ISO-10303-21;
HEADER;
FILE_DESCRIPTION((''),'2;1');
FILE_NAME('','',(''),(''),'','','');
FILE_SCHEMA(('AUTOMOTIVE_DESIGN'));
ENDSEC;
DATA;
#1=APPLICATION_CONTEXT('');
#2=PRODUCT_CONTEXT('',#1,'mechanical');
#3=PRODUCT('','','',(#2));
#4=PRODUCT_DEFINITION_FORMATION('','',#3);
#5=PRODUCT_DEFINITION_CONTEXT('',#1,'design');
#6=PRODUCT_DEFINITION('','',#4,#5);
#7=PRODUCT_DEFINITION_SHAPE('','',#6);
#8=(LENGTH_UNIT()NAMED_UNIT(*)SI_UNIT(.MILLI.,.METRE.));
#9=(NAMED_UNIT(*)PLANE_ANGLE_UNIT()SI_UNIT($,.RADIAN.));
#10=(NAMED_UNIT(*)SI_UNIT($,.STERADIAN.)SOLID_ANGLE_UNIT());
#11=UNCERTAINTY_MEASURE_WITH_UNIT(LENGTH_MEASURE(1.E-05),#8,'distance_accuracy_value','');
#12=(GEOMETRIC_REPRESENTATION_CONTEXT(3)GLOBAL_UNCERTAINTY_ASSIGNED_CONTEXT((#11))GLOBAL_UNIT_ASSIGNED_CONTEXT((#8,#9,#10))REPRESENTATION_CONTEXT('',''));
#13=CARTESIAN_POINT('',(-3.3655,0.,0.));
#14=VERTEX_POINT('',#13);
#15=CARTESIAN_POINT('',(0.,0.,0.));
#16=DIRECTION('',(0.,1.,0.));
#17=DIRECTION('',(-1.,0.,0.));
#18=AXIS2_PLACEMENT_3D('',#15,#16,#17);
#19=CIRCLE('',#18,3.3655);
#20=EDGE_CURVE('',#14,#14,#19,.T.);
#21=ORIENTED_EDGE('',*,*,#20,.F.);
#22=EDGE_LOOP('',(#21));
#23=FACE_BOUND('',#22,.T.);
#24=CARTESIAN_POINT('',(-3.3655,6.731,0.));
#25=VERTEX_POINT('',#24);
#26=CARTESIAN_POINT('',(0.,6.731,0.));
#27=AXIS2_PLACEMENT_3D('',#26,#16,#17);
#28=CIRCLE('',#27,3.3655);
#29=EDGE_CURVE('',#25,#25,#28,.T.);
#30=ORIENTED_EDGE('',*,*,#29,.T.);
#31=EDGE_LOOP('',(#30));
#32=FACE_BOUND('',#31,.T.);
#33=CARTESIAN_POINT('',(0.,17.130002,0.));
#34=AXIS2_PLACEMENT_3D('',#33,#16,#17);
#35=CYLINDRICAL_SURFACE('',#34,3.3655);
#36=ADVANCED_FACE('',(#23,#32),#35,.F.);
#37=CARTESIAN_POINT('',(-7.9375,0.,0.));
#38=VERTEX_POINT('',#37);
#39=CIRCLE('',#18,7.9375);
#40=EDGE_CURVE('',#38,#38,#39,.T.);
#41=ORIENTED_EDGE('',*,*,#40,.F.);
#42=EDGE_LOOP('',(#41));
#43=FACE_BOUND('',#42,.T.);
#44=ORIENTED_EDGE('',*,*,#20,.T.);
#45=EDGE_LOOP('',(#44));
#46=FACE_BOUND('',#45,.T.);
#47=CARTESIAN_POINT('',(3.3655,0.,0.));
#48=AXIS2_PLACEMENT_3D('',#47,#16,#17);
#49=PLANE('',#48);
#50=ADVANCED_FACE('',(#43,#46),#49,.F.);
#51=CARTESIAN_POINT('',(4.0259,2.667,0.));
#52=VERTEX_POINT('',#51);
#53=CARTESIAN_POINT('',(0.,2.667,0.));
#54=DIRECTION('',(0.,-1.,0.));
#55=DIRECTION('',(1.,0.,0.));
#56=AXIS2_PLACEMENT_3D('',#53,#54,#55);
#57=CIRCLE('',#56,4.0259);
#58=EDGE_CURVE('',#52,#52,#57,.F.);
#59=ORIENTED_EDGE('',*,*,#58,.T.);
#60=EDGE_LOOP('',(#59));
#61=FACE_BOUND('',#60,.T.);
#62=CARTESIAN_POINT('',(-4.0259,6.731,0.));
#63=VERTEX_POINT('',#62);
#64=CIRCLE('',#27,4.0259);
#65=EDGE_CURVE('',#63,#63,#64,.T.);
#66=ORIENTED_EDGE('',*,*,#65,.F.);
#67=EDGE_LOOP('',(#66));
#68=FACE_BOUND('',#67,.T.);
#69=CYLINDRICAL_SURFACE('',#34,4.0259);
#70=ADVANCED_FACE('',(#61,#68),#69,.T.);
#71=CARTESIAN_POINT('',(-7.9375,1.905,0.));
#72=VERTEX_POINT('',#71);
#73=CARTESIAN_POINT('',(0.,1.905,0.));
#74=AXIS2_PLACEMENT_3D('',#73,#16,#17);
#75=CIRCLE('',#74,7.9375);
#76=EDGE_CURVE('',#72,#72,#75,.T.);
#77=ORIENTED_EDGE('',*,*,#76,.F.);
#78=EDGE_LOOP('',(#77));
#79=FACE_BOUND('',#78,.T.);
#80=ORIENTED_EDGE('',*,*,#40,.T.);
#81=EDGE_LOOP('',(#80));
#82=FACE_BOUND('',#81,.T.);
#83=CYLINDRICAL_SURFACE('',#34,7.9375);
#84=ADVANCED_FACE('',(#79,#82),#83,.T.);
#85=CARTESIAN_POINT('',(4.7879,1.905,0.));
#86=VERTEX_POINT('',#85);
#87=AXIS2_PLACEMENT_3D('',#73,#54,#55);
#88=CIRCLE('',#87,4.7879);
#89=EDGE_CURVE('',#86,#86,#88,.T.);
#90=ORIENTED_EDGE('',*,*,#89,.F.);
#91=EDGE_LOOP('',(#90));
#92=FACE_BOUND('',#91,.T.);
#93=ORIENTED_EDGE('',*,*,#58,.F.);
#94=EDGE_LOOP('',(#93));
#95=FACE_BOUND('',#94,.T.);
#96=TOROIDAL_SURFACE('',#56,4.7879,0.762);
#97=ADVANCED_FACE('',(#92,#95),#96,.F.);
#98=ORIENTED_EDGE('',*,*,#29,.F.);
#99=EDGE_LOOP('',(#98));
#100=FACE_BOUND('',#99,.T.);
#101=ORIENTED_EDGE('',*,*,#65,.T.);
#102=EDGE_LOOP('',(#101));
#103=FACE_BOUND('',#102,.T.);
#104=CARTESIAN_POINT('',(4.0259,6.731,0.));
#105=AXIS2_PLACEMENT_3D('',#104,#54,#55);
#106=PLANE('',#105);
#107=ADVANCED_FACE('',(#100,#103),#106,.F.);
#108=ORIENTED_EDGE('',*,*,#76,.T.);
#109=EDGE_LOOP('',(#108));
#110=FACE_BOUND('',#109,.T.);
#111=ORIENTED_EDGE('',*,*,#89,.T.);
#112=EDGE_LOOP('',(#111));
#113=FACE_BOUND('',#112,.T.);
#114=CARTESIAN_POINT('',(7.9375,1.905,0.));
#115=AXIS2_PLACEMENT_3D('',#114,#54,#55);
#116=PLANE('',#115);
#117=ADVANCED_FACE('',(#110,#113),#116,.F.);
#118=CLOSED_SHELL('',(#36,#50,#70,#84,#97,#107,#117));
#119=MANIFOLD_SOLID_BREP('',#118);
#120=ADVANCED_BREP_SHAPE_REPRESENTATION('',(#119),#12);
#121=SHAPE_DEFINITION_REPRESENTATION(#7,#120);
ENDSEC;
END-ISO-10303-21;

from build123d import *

# Parameters (mm, degrees)
FILLET1_R = 0.762


with BuildPart() as part:
    # Sketch1 → Revolve1 (revolve)
    with BuildSketch(Plane.XY, mode=Mode.PRIVATE) as revolve1_sk:
        Polygon((3.3655, 0), (7.9375, 0), (7.9375, 1.905), (4.0259, 1.905), (4.0259, 6.731), (3.3655, 6.731), align=None)
    revolve(revolve1_sk.sketch.rotate(Axis((0, 17.130002105, 0), (0, -1, 0)), 180), axis=Axis((0, 17.130002105, 0), (0, -1, 0)))

    # Fillet1
    fillet1_edges = [part.edges().sort_by_distance(p)[0] for p in [
        (4.0259, 1.905, 0),
    ]]
    fillet(fillet1_edges, radius=FILLET1_R)


solid = part.part
